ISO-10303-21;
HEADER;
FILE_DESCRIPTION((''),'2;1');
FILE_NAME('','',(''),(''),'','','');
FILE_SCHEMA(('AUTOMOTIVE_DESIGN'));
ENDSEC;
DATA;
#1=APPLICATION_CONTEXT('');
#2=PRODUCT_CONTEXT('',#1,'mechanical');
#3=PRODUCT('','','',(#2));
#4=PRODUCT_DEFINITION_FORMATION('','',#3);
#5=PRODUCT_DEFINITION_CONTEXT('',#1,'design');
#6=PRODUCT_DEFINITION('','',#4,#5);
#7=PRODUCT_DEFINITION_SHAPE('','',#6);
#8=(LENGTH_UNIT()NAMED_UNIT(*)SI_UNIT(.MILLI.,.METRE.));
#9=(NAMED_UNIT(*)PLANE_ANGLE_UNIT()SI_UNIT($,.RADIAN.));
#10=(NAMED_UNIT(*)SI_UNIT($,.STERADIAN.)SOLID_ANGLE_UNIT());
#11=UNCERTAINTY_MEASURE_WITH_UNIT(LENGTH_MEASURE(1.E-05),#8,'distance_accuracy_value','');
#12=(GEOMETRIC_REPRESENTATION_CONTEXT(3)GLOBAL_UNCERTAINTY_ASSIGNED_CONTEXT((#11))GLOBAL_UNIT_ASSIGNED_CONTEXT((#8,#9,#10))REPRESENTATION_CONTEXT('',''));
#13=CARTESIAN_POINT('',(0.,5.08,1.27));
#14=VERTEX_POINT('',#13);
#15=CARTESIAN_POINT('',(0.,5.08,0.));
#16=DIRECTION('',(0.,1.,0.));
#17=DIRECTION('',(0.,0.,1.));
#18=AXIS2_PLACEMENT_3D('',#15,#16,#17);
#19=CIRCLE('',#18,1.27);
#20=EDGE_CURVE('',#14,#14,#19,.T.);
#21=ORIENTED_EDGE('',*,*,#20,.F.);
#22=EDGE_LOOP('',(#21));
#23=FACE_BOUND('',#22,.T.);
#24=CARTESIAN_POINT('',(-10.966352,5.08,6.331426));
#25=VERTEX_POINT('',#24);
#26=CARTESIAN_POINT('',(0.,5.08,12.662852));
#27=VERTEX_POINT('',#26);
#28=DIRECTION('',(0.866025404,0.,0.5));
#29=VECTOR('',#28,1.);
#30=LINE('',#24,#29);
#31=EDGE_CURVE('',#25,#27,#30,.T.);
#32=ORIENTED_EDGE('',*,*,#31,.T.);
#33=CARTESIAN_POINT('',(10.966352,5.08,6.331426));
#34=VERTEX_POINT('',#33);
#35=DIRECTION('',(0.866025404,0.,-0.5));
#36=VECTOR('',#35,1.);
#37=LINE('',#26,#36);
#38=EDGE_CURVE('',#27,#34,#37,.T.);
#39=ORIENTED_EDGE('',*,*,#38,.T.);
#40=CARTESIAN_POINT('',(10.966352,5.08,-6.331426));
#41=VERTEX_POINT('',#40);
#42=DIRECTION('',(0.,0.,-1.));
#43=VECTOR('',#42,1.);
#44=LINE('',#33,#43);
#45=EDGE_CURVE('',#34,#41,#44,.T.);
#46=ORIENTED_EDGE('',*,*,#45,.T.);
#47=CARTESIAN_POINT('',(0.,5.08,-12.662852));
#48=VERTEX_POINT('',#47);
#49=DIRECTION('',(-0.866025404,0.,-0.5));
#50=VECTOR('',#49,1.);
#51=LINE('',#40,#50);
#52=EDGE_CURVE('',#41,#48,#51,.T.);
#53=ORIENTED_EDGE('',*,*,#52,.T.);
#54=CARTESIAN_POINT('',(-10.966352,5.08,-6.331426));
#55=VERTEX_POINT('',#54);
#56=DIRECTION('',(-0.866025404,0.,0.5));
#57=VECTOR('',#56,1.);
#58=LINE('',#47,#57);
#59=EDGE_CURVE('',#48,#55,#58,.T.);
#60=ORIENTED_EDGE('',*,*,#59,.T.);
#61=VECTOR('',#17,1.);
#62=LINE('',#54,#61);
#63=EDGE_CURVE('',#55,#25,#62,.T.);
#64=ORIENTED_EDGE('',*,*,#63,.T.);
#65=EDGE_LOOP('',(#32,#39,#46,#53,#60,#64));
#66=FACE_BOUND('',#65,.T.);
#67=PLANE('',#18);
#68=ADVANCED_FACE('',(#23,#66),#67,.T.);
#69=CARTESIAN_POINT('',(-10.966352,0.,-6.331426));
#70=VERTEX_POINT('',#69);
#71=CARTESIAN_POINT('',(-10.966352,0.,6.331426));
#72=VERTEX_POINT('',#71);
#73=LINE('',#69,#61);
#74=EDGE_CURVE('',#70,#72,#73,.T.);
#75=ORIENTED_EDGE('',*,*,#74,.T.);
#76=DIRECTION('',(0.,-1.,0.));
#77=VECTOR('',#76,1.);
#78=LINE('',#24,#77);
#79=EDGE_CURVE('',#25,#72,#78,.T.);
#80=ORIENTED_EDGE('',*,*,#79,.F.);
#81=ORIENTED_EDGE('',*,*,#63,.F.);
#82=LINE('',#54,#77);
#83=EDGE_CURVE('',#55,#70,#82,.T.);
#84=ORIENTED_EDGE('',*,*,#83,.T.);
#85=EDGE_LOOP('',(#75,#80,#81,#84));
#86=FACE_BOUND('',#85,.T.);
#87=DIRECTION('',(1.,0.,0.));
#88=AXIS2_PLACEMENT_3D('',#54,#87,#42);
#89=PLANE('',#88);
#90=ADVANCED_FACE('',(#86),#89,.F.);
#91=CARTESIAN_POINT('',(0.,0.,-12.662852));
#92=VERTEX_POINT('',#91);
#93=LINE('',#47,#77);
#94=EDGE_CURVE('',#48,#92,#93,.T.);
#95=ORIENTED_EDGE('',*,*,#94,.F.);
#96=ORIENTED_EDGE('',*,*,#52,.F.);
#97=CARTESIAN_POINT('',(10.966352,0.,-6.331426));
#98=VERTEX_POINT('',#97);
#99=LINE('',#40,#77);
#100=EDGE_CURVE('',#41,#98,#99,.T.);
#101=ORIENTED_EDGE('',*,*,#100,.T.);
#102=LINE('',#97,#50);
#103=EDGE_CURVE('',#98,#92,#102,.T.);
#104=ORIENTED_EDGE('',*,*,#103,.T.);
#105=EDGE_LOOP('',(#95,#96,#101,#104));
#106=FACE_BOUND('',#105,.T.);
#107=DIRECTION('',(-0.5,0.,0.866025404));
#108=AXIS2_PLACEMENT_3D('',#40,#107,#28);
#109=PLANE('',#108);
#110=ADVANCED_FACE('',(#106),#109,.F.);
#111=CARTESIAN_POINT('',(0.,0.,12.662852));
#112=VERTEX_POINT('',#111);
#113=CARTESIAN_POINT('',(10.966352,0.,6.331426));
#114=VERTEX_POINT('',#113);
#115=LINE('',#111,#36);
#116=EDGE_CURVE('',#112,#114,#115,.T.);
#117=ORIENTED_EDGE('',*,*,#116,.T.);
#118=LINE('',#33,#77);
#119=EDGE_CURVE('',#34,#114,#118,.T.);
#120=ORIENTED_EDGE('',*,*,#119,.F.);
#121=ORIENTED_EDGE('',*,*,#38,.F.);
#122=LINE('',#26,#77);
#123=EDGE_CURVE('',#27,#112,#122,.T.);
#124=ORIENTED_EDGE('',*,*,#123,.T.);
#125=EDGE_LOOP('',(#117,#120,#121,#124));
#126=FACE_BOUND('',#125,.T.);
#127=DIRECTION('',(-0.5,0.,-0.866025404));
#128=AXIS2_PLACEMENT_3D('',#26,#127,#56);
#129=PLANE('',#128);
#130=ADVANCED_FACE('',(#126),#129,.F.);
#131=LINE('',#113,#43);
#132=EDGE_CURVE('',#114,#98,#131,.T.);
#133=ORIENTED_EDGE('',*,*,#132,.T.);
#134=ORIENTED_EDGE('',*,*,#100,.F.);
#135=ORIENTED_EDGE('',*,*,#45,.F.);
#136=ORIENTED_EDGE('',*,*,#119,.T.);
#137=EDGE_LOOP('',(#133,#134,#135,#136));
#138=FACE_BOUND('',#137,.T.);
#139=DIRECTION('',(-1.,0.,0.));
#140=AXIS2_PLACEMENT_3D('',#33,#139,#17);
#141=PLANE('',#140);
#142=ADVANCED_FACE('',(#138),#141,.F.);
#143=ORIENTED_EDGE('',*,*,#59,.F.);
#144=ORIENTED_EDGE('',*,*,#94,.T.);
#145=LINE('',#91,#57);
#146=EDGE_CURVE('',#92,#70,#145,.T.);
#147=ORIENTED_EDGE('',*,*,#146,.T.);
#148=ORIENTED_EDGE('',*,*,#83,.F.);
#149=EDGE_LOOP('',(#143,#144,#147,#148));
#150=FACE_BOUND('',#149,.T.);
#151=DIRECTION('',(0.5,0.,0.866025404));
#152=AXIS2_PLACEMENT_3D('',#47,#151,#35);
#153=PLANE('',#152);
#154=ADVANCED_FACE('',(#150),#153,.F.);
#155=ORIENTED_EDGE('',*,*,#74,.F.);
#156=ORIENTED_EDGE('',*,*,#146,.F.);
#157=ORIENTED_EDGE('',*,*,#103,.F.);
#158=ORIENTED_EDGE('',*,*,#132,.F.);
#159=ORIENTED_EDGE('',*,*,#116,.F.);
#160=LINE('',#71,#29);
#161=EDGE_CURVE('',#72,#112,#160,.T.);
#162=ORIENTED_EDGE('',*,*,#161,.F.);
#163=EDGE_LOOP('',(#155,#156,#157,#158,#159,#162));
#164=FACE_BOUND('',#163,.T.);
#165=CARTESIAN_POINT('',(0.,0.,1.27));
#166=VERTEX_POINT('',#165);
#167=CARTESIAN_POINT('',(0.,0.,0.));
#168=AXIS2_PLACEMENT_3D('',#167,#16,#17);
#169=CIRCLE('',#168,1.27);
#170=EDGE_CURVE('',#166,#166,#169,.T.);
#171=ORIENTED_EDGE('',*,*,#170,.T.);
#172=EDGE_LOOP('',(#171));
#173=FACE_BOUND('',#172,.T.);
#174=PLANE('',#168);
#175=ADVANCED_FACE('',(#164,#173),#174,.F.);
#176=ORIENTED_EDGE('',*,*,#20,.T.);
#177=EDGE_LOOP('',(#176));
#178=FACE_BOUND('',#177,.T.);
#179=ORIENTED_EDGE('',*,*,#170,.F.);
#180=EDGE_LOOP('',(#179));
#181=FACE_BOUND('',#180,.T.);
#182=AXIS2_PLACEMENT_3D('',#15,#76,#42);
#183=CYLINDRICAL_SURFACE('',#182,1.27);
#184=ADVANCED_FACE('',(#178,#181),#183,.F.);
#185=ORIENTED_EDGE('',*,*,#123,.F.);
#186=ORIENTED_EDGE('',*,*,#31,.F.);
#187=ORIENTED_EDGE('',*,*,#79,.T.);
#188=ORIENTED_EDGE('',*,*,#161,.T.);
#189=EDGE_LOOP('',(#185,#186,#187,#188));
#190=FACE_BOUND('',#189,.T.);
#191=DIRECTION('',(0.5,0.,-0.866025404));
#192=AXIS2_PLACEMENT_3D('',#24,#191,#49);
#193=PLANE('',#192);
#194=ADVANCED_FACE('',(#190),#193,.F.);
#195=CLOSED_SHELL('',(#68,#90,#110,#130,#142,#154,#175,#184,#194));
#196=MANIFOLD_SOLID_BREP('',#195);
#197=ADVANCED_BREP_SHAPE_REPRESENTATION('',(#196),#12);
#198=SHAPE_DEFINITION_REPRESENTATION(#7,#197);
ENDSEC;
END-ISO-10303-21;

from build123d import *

# Parameters (mm, degrees)
SKETCH1_R           = 1.27
BOSS_EXTRUDE4_DEPTH = 5.08


with BuildPart() as part:
    # Sketch1 → Boss-Extrude4 (new body)
    with BuildSketch(Plane(origin=(0, 0, 0), x_dir=(1, 0, 0), z_dir=(0, 1, 0))):
        Polygon((0, 12.662852008), (-10.966351523, 6.331426004), (-10.966351523, -6.331426004), (0, -12.662852008), (10.966351523, -6.331426004), (10.966351523, 6.331426004), align=None)
        Circle(SKETCH1_R, mode=Mode.SUBTRACT)
    extrude(amount=BOSS_EXTRUDE4_DEPTH)


solid = part.part
